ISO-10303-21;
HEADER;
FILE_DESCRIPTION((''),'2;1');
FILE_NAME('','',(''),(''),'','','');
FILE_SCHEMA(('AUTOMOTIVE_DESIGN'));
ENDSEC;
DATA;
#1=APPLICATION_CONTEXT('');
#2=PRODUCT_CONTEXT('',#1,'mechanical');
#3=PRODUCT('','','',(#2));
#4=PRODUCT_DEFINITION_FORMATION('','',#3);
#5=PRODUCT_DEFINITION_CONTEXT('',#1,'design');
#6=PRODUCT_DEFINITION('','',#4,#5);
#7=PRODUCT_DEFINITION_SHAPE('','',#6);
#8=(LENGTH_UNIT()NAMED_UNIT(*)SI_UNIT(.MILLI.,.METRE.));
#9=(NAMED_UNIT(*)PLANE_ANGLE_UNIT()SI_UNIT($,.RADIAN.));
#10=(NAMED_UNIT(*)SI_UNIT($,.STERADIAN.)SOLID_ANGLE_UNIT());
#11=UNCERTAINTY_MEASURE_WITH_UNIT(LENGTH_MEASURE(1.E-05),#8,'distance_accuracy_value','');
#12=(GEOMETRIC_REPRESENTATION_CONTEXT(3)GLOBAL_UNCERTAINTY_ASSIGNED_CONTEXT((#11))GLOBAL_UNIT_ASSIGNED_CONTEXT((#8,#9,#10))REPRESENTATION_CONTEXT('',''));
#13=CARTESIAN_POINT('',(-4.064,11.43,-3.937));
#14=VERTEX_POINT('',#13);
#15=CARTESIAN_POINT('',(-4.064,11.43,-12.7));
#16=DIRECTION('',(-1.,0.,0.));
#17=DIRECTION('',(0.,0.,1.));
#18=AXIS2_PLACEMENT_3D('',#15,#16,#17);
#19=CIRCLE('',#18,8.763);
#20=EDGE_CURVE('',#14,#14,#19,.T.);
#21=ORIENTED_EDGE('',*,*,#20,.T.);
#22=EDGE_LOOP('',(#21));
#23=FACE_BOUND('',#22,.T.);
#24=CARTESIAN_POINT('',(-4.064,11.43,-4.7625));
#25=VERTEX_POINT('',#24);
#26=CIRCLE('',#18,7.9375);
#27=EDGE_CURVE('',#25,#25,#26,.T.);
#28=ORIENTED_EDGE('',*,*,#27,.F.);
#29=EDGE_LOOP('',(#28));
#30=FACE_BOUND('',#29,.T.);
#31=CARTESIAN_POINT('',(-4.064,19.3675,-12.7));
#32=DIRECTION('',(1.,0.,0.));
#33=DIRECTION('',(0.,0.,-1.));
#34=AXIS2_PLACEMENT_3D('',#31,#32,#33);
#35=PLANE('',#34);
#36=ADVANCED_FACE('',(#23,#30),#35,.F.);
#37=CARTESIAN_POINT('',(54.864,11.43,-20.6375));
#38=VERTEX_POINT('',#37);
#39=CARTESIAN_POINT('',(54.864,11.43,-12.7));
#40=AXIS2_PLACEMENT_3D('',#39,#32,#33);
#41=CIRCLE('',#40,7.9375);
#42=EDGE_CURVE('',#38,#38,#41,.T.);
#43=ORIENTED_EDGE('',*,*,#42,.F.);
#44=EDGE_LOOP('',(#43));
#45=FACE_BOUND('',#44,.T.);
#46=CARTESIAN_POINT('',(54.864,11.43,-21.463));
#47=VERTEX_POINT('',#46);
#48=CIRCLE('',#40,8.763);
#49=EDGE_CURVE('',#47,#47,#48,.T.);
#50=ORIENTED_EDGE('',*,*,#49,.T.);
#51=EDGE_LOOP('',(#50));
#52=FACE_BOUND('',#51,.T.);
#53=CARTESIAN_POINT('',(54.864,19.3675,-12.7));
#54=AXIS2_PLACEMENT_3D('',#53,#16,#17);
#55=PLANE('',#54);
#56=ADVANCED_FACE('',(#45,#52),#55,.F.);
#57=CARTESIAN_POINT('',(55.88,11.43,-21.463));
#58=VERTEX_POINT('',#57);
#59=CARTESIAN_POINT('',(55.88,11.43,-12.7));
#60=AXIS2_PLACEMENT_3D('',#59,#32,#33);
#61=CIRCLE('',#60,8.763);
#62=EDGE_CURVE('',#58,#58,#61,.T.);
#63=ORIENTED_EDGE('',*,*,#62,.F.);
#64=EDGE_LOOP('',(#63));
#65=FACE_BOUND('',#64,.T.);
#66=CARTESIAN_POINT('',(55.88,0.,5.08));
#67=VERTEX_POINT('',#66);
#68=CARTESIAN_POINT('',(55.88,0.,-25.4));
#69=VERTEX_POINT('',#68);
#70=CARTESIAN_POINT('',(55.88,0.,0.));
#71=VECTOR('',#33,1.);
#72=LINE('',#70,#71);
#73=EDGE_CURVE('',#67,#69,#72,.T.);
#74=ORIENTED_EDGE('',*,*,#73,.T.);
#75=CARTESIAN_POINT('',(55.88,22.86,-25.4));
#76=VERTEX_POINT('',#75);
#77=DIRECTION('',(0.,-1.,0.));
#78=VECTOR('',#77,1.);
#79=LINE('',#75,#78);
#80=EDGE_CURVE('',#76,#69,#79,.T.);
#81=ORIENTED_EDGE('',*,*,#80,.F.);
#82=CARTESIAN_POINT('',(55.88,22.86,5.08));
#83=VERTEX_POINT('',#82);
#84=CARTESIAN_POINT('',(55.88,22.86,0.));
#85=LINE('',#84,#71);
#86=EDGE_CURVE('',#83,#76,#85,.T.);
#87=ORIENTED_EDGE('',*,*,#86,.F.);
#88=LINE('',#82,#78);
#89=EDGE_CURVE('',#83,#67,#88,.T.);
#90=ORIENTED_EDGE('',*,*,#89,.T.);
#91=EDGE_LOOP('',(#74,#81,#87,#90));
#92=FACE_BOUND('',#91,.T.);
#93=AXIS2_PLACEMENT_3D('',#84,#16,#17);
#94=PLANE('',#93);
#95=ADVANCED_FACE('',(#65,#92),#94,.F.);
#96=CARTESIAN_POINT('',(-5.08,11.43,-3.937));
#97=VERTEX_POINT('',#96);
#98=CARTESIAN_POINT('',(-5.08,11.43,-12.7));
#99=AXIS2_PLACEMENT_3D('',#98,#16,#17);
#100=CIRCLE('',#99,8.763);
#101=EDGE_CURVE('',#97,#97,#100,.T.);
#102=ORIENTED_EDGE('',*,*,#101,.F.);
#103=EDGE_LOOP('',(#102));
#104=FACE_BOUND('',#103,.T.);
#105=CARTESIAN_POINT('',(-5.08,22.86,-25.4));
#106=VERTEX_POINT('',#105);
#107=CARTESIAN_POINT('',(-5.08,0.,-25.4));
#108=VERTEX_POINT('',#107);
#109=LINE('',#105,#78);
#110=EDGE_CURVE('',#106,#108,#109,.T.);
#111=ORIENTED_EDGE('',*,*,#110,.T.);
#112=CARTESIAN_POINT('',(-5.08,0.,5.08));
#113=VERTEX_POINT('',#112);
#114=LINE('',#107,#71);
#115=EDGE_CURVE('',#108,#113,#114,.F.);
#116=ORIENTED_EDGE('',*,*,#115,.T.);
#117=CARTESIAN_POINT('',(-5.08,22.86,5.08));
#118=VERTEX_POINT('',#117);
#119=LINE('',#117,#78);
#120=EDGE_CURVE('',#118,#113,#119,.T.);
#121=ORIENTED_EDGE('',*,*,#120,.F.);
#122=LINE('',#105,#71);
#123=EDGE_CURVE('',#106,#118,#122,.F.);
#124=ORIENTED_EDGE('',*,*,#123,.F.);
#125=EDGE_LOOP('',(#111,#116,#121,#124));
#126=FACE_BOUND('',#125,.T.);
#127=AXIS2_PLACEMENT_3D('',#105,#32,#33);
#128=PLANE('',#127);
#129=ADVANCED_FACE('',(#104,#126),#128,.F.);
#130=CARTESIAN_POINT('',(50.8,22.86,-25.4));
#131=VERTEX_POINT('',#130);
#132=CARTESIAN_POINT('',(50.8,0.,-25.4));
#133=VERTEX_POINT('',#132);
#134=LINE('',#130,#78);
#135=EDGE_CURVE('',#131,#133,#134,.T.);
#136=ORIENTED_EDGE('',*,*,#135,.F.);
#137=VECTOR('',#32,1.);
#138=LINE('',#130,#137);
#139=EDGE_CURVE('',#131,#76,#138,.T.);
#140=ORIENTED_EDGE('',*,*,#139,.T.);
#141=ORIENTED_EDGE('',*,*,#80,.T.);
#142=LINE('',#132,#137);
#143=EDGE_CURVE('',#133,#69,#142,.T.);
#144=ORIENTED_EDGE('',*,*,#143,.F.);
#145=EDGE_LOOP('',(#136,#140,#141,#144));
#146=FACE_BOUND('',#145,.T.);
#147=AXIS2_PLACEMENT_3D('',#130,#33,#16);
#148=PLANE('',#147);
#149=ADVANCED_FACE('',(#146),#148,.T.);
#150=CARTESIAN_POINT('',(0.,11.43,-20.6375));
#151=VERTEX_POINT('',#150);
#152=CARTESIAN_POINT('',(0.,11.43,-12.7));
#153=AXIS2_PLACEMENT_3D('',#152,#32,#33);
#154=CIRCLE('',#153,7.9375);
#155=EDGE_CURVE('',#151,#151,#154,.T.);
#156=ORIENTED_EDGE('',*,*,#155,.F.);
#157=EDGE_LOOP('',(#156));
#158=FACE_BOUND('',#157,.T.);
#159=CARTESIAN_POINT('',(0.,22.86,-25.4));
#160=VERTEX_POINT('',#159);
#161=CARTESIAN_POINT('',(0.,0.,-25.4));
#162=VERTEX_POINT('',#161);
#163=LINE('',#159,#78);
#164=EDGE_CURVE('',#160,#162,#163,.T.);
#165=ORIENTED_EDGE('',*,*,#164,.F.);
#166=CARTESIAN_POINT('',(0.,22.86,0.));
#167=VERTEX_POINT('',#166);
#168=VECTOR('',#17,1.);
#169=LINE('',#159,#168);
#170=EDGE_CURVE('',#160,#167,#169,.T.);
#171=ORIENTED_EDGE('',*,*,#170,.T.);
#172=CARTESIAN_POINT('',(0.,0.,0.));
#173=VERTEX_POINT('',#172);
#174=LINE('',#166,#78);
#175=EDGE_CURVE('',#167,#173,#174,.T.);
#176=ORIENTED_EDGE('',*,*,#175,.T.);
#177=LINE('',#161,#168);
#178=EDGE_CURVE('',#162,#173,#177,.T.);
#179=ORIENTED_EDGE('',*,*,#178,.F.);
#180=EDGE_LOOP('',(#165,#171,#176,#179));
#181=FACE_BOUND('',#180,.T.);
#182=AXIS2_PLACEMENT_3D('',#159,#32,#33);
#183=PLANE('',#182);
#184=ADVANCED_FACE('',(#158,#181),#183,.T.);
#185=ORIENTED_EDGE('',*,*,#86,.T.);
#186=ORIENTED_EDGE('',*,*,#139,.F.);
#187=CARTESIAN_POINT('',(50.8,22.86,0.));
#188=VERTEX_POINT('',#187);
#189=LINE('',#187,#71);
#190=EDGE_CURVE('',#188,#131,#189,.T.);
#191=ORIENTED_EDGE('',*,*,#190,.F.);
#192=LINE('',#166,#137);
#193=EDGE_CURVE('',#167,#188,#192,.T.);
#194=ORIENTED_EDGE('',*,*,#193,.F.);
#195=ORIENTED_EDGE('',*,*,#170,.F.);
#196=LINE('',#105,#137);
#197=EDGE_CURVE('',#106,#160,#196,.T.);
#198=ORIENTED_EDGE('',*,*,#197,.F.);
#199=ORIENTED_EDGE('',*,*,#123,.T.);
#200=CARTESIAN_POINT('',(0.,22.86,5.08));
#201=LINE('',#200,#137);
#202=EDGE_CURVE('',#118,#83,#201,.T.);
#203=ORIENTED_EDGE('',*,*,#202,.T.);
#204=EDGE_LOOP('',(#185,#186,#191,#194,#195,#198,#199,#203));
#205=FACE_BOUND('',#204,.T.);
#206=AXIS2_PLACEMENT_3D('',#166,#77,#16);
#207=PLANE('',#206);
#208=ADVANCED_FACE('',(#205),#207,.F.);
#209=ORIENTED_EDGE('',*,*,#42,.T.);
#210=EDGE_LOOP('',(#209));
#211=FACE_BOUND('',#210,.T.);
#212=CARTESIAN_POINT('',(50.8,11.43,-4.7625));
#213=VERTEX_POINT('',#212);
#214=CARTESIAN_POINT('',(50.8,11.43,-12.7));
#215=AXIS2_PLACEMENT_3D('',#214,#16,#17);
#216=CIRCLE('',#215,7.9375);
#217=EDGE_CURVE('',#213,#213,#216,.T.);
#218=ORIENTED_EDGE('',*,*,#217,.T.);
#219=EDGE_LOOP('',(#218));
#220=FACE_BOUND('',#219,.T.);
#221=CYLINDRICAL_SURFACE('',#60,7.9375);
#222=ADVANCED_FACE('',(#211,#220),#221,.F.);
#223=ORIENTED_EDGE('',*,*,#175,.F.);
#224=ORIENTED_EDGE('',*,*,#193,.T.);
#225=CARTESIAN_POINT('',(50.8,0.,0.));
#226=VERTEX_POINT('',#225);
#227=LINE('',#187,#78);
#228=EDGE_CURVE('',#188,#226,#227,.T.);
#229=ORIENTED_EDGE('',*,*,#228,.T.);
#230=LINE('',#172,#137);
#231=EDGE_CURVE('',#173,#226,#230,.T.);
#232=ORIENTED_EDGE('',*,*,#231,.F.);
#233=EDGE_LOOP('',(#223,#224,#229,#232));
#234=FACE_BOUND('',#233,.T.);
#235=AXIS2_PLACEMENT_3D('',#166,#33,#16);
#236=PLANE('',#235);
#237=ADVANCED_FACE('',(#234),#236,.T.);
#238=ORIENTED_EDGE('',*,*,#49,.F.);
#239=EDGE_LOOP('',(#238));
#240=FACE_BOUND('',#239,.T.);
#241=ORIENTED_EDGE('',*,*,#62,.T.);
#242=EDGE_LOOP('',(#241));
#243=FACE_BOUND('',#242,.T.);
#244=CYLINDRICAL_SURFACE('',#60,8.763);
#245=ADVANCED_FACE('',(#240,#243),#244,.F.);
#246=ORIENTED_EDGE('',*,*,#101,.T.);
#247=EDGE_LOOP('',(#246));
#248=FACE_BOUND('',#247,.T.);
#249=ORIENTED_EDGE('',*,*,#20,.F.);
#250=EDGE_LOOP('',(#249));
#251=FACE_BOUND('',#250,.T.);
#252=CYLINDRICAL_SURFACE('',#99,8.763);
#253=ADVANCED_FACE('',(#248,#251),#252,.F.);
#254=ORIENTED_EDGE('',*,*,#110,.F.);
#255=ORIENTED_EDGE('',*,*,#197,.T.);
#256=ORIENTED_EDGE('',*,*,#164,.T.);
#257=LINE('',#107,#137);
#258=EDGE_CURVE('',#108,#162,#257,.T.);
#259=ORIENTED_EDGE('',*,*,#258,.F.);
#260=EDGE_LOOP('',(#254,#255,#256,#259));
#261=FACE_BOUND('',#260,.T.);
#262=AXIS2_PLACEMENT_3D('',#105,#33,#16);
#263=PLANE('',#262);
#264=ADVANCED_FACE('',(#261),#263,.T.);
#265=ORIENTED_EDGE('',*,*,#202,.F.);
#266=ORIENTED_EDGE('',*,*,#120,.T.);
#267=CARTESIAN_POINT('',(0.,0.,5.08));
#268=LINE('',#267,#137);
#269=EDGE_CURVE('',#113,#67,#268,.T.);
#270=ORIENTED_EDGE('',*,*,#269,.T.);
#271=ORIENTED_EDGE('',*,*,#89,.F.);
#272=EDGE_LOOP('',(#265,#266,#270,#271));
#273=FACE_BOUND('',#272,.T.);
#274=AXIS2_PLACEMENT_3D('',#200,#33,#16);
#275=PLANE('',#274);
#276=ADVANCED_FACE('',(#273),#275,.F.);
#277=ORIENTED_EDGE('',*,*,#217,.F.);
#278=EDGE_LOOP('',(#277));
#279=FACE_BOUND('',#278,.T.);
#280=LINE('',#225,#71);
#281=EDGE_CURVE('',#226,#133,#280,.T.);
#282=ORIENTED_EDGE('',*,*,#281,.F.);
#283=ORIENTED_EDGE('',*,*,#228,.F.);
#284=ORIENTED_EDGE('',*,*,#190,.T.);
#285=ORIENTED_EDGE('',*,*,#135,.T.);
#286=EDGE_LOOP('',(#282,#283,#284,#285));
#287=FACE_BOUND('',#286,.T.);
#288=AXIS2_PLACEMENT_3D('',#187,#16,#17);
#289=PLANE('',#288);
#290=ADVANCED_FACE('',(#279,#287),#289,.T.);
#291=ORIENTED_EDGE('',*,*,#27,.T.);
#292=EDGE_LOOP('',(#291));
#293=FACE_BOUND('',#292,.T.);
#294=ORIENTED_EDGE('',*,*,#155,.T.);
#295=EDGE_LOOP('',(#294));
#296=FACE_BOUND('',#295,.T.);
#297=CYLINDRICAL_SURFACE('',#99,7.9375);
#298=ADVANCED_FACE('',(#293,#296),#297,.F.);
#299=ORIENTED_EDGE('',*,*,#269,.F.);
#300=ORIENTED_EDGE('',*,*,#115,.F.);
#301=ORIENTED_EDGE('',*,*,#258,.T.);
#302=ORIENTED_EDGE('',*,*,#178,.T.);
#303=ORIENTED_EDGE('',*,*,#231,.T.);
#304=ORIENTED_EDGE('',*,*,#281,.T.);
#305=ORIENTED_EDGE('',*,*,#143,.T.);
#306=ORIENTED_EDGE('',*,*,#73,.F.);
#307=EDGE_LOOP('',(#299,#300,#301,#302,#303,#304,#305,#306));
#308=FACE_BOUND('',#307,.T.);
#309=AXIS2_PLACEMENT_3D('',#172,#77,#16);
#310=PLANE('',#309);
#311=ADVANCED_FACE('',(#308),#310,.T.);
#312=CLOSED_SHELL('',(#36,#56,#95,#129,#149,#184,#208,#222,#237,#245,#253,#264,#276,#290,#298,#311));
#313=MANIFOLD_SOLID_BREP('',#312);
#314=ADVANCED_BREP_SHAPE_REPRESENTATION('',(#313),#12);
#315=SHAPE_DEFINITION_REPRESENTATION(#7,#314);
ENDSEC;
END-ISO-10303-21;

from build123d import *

# Parameters (mm, degrees)
EXTRUDE_THIN1_DEPTH                            = 22.86
CBORE_FOR_6_SOCKET_HEAD_CAP_SCREW1_D           = 15.875
CBORE_FOR_6_SOCKET_HEAD_CAP_SCREW1_DEPTH       = 5.08
CBORE_FOR_6_SOCKET_HEAD_CAP_SCREW1_CBORE_D     = 17.526
CBORE_FOR_6_SOCKET_HEAD_CAP_SCREW1_CBORE_DEPTH = 1.016
CBORE_FOR_6_SOCKET_HEAD_CAP_SCREW2_D           = 15.875
CBORE_FOR_6_SOCKET_HEAD_CAP_SCREW2_CBORE_D     = 17.526
CBORE_FOR_6_SOCKET_HEAD_CAP_SCREW2_CBORE_DEPTH = 1.016


with BuildPart() as part:
    # Sketch1 → Extrude-Thin1 (new body)
    with BuildSketch(Plane(origin=(0, 0, 0), x_dir=(1, 0, 0), z_dir=(0, 1, 0))):
        Polygon((0, 25.4), (0, 0), (50.8, 0), (50.8, 25.4), (55.88, 25.4), (55.88, -5.08), (-5.08, -5.08), (-5.08, 25.4), align=None)
    extrude(amount=EXTRUDE_THIN1_DEPTH)

    # CBORE for #6 Socket Head Cap Screw1
    with Locations(Plane(origin=(55.88, 0, 0), x_dir=(0, 0, -1), z_dir=(1, 0, 0))):
        with Locations((12.7, 11.43)):
            CounterBoreHole(CBORE_FOR_6_SOCKET_HEAD_CAP_SCREW1_D / 2, CBORE_FOR_6_SOCKET_HEAD_CAP_SCREW1_CBORE_D / 2, CBORE_FOR_6_SOCKET_HEAD_CAP_SCREW1_CBORE_DEPTH, depth=CBORE_FOR_6_SOCKET_HEAD_CAP_SCREW1_DEPTH)

    # CBORE for #6 Socket Head Cap Screw2 (through all)
    with Locations(Plane.ZY.offset(5.08)):
        with Locations((-12.7, 11.43)):
            CounterBoreHole(CBORE_FOR_6_SOCKET_HEAD_CAP_SCREW2_D / 2, CBORE_FOR_6_SOCKET_HEAD_CAP_SCREW2_CBORE_D / 2, CBORE_FOR_6_SOCKET_HEAD_CAP_SCREW2_CBORE_DEPTH)


solid = part.part
